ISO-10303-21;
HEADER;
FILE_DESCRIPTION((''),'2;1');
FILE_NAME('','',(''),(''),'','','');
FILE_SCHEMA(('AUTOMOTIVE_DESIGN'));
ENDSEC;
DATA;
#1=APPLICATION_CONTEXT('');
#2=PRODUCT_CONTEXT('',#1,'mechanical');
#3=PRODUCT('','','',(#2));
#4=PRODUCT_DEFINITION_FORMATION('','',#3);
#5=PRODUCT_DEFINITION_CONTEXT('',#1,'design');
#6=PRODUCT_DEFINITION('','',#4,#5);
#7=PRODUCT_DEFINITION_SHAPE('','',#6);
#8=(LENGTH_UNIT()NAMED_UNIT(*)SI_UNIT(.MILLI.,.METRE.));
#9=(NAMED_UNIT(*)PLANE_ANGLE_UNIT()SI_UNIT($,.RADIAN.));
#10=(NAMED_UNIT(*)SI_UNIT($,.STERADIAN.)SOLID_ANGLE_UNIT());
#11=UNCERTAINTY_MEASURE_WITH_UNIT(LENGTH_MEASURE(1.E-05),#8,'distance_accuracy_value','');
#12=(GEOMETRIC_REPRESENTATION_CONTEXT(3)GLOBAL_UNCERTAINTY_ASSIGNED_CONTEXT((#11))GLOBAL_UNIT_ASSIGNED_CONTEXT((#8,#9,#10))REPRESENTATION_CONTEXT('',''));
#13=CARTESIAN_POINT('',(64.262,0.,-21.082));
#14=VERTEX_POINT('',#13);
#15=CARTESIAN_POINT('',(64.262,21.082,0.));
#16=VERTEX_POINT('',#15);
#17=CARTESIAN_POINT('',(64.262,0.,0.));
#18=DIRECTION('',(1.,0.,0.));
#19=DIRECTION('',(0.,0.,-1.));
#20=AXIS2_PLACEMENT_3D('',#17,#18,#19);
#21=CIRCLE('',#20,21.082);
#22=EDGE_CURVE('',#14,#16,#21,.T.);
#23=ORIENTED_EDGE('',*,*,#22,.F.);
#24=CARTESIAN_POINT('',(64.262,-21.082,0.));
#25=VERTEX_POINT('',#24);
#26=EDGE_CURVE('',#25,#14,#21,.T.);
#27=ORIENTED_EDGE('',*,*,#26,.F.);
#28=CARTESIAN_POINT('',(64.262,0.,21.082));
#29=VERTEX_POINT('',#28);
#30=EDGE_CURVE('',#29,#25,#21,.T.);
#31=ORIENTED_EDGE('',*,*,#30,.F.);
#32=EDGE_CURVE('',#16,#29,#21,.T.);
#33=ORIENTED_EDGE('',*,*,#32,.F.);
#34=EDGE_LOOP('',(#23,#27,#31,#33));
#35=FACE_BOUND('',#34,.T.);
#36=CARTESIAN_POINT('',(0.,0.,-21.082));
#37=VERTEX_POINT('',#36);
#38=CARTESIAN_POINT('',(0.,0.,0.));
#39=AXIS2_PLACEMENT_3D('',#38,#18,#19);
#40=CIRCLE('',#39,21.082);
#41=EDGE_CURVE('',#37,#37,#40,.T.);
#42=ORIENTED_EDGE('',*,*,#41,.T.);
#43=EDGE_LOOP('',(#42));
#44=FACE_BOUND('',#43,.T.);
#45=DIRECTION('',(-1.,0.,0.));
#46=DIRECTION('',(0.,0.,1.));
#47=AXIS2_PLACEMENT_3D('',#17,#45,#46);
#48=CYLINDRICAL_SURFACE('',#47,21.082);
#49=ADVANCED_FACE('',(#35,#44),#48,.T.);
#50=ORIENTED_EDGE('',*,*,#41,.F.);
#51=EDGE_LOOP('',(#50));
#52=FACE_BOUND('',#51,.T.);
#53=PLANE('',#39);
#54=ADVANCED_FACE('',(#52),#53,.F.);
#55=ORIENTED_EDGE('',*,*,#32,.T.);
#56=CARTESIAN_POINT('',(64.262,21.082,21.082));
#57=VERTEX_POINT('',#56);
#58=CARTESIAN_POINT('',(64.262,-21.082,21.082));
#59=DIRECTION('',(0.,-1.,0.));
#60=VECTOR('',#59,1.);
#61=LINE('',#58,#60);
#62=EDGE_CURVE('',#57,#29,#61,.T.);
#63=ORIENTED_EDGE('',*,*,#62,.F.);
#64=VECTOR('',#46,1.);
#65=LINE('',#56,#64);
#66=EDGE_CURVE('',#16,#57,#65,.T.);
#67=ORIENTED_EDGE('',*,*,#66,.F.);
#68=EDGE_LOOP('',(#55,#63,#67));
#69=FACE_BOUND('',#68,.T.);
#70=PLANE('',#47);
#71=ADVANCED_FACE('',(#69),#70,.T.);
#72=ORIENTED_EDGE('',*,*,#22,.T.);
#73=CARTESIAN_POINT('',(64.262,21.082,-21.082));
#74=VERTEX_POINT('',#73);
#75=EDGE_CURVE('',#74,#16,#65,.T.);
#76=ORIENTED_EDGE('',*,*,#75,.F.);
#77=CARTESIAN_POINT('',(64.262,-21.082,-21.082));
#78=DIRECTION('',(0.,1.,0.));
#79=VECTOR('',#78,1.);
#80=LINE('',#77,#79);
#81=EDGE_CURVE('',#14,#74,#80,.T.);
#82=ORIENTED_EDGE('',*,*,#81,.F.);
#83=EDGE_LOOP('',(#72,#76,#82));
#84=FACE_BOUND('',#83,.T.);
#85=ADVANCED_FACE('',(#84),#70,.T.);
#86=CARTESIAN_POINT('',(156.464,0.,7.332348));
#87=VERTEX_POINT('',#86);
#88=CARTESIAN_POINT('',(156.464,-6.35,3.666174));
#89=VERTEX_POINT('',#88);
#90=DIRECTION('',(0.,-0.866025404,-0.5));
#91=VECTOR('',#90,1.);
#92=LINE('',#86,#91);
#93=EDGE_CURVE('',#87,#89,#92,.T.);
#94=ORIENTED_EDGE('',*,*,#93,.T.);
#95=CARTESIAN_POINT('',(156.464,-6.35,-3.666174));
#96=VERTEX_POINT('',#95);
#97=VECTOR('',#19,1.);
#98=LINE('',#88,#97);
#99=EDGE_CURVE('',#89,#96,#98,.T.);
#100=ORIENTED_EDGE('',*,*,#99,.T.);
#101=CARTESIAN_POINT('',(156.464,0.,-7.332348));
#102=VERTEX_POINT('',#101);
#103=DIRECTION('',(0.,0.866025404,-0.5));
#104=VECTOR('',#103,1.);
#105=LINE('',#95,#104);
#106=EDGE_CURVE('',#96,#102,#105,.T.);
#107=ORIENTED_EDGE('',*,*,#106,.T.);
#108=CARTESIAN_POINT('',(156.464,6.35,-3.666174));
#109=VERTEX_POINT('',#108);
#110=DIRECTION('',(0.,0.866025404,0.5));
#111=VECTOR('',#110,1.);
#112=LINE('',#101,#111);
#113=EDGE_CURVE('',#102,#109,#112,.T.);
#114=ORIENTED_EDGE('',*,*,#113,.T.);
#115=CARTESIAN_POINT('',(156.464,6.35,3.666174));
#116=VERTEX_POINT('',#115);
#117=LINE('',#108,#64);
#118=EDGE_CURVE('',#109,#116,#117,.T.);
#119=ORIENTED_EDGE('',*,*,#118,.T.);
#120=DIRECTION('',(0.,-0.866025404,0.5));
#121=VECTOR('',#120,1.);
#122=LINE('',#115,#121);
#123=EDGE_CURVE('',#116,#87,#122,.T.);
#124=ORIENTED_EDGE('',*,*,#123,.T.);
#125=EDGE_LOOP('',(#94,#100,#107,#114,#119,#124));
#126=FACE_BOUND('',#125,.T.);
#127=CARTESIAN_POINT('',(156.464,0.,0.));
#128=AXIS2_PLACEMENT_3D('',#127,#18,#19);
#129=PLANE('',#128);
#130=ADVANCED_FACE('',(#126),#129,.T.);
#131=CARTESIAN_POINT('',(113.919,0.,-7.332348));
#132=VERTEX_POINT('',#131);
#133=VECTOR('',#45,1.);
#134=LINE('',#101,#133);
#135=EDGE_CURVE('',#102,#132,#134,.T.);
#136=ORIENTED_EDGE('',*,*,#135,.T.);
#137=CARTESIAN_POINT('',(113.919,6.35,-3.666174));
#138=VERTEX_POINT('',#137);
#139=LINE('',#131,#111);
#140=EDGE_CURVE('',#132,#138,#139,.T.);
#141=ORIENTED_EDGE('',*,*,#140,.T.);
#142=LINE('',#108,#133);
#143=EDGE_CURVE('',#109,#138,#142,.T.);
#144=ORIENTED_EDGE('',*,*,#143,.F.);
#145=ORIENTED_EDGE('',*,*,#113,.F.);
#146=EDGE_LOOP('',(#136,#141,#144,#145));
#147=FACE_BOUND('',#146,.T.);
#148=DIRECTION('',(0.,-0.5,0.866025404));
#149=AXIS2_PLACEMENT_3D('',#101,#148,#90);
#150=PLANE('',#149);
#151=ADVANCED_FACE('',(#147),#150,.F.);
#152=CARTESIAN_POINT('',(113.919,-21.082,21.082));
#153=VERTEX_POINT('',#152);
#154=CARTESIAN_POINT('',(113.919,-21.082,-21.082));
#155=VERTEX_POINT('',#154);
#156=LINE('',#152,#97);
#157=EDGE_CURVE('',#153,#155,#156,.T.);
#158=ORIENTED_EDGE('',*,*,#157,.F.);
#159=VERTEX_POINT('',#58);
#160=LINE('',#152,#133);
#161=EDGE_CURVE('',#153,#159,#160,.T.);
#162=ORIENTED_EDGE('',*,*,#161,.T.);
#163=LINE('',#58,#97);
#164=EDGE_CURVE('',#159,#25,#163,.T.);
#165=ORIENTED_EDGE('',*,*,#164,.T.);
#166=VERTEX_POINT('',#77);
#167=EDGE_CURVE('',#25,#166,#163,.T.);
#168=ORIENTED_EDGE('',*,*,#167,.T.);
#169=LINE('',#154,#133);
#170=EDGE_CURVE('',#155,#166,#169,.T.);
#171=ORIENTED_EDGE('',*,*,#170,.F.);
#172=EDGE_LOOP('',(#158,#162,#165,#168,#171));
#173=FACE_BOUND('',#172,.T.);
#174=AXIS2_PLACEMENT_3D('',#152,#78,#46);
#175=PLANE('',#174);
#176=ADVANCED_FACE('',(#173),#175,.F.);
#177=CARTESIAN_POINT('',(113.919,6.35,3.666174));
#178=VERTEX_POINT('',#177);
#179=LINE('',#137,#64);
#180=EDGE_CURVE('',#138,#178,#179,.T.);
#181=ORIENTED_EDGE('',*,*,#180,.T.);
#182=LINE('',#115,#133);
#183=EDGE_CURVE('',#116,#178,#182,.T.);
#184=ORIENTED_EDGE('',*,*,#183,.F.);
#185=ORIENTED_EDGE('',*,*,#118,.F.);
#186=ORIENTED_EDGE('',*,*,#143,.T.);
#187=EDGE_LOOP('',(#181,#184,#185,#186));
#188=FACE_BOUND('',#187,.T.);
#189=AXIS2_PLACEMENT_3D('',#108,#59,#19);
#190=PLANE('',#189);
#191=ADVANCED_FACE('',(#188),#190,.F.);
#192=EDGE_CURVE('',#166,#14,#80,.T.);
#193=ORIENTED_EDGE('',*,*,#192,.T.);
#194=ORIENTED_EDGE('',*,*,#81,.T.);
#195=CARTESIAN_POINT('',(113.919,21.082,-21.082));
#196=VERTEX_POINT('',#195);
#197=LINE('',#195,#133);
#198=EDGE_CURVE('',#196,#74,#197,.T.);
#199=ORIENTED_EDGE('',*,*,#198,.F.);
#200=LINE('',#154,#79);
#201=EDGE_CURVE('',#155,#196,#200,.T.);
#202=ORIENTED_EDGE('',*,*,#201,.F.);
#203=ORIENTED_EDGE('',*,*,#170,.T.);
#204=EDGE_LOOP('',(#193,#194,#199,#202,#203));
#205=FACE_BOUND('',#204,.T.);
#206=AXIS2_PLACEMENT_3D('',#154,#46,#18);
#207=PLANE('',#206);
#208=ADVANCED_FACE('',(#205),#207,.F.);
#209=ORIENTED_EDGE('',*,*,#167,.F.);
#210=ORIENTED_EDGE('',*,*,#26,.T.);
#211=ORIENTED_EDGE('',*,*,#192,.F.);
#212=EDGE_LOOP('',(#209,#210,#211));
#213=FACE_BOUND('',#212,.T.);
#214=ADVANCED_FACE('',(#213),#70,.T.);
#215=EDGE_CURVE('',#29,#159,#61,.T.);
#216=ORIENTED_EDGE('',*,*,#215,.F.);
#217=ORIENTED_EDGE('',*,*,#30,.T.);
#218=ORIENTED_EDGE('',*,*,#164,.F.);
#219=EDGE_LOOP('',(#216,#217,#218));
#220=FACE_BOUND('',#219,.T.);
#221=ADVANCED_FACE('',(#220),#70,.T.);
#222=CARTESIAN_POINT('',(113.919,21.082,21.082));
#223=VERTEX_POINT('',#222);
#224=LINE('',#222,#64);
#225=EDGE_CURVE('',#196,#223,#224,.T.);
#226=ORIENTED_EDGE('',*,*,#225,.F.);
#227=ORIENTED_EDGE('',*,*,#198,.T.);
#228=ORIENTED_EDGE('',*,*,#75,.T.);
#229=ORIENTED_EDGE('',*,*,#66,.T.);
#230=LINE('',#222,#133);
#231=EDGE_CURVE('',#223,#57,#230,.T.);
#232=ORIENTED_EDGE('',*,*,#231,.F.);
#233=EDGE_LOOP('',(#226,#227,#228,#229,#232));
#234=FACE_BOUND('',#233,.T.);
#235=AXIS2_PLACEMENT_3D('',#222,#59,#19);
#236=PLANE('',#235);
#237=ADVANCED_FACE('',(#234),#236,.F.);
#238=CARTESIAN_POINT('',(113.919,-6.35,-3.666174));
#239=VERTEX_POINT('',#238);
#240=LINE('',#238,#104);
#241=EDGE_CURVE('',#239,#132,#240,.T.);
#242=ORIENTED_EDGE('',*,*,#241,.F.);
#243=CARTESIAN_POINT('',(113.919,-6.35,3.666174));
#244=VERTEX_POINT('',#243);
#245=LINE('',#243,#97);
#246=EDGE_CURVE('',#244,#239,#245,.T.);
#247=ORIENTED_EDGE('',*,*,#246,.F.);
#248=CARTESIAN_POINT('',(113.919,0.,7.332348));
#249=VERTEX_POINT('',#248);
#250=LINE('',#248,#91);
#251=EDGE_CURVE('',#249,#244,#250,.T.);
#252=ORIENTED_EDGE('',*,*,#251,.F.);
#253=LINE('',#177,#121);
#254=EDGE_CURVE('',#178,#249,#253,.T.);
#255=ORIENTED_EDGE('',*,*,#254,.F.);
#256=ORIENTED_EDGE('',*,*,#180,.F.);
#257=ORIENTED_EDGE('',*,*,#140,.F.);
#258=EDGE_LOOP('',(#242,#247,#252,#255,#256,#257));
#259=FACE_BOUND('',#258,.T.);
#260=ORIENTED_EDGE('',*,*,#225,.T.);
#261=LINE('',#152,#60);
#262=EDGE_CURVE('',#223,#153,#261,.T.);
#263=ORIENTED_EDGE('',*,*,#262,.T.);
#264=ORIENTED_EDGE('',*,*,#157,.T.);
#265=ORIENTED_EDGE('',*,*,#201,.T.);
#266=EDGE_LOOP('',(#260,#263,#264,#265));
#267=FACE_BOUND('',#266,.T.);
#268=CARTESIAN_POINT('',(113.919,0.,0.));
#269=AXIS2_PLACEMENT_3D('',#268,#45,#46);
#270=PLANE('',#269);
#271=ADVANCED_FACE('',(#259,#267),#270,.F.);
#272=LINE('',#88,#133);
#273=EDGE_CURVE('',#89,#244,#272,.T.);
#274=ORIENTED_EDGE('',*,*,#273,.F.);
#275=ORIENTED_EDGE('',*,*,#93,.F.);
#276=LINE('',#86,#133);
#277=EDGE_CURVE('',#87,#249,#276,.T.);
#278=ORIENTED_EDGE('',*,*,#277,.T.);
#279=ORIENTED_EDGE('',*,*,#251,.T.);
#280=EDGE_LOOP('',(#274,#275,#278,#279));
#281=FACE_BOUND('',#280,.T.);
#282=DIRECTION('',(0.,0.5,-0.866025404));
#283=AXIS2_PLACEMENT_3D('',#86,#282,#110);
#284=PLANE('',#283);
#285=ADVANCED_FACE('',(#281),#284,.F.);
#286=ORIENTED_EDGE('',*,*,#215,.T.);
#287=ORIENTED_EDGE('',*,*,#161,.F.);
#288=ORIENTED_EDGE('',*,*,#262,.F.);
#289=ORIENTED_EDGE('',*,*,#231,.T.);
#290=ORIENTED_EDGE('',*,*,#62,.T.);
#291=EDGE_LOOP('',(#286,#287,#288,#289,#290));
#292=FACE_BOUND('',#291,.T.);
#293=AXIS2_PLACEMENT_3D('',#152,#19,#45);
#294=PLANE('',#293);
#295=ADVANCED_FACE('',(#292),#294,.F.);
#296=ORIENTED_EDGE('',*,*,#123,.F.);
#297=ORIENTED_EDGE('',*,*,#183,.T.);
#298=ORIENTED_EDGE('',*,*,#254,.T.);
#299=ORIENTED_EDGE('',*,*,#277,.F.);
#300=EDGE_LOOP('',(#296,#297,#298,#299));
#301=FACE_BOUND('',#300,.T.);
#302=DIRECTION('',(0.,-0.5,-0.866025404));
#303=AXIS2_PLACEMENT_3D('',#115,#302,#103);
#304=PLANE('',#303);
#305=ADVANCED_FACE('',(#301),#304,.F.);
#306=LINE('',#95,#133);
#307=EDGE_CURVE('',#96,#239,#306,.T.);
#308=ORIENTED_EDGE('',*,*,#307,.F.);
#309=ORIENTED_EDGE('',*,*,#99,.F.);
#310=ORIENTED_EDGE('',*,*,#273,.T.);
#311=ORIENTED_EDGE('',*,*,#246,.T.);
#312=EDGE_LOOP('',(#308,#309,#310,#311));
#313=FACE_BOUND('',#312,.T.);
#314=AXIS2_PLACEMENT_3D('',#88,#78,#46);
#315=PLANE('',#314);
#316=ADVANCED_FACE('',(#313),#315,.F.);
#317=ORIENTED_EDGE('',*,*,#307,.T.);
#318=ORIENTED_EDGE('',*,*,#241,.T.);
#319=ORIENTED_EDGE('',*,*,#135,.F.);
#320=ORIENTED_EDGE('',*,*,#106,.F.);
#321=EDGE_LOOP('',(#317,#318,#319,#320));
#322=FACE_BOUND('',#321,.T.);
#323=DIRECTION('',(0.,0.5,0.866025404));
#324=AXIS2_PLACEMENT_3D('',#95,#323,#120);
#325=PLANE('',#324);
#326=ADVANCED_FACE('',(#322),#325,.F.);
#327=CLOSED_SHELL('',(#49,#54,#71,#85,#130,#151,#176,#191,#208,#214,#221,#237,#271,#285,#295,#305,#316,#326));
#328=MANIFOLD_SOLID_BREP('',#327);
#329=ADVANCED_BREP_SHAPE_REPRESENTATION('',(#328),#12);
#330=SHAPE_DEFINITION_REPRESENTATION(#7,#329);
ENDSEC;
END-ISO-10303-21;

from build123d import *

# Parameters (mm, degrees)
SKETCH1_R           = 21.082
BOSS_EXTRUDE1_DEPTH = 64.262
SKETCH2_W           = 42.164
SKETCH2_H           = 42.164
BOSS_EXTRUDE2_DEPTH = 49.657
BOSS_EXTRUDE3_DEPTH = 42.545


with BuildPart() as part:
    # Sketch1 → Boss-Extrude1 (new body)
    with BuildSketch(Plane(origin=(0, 0, 0), x_dir=(0, 0, -1), z_dir=(1, 0, 0))):
        Circle(SKETCH1_R)
    extrude(amount=BOSS_EXTRUDE1_DEPTH)

    # Sketch2 → Boss-Extrude2 (add)
    with BuildSketch(Plane(origin=(64.262, 0, 0), x_dir=(0, 0, -1), z_dir=(1, 0, 0))):
        Rectangle(SKETCH2_W, SKETCH2_H)
    extrude(amount=BOSS_EXTRUDE2_DEPTH)

    # Sketch3 → Boss-Extrude3 (add)
    with BuildSketch(Plane(origin=(113.919, 0, 0), x_dir=(0, 0, -1), z_dir=(1, 0, 0))):
        Polygon((7.332348419, 0), (3.666174209, 6.35), (-3.666174209, 6.35), (-7.332348419, 0), (-3.666174209, -6.35), (3.666174209, -6.35), align=None)
    extrude(amount=BOSS_EXTRUDE3_DEPTH)


solid = part.part
